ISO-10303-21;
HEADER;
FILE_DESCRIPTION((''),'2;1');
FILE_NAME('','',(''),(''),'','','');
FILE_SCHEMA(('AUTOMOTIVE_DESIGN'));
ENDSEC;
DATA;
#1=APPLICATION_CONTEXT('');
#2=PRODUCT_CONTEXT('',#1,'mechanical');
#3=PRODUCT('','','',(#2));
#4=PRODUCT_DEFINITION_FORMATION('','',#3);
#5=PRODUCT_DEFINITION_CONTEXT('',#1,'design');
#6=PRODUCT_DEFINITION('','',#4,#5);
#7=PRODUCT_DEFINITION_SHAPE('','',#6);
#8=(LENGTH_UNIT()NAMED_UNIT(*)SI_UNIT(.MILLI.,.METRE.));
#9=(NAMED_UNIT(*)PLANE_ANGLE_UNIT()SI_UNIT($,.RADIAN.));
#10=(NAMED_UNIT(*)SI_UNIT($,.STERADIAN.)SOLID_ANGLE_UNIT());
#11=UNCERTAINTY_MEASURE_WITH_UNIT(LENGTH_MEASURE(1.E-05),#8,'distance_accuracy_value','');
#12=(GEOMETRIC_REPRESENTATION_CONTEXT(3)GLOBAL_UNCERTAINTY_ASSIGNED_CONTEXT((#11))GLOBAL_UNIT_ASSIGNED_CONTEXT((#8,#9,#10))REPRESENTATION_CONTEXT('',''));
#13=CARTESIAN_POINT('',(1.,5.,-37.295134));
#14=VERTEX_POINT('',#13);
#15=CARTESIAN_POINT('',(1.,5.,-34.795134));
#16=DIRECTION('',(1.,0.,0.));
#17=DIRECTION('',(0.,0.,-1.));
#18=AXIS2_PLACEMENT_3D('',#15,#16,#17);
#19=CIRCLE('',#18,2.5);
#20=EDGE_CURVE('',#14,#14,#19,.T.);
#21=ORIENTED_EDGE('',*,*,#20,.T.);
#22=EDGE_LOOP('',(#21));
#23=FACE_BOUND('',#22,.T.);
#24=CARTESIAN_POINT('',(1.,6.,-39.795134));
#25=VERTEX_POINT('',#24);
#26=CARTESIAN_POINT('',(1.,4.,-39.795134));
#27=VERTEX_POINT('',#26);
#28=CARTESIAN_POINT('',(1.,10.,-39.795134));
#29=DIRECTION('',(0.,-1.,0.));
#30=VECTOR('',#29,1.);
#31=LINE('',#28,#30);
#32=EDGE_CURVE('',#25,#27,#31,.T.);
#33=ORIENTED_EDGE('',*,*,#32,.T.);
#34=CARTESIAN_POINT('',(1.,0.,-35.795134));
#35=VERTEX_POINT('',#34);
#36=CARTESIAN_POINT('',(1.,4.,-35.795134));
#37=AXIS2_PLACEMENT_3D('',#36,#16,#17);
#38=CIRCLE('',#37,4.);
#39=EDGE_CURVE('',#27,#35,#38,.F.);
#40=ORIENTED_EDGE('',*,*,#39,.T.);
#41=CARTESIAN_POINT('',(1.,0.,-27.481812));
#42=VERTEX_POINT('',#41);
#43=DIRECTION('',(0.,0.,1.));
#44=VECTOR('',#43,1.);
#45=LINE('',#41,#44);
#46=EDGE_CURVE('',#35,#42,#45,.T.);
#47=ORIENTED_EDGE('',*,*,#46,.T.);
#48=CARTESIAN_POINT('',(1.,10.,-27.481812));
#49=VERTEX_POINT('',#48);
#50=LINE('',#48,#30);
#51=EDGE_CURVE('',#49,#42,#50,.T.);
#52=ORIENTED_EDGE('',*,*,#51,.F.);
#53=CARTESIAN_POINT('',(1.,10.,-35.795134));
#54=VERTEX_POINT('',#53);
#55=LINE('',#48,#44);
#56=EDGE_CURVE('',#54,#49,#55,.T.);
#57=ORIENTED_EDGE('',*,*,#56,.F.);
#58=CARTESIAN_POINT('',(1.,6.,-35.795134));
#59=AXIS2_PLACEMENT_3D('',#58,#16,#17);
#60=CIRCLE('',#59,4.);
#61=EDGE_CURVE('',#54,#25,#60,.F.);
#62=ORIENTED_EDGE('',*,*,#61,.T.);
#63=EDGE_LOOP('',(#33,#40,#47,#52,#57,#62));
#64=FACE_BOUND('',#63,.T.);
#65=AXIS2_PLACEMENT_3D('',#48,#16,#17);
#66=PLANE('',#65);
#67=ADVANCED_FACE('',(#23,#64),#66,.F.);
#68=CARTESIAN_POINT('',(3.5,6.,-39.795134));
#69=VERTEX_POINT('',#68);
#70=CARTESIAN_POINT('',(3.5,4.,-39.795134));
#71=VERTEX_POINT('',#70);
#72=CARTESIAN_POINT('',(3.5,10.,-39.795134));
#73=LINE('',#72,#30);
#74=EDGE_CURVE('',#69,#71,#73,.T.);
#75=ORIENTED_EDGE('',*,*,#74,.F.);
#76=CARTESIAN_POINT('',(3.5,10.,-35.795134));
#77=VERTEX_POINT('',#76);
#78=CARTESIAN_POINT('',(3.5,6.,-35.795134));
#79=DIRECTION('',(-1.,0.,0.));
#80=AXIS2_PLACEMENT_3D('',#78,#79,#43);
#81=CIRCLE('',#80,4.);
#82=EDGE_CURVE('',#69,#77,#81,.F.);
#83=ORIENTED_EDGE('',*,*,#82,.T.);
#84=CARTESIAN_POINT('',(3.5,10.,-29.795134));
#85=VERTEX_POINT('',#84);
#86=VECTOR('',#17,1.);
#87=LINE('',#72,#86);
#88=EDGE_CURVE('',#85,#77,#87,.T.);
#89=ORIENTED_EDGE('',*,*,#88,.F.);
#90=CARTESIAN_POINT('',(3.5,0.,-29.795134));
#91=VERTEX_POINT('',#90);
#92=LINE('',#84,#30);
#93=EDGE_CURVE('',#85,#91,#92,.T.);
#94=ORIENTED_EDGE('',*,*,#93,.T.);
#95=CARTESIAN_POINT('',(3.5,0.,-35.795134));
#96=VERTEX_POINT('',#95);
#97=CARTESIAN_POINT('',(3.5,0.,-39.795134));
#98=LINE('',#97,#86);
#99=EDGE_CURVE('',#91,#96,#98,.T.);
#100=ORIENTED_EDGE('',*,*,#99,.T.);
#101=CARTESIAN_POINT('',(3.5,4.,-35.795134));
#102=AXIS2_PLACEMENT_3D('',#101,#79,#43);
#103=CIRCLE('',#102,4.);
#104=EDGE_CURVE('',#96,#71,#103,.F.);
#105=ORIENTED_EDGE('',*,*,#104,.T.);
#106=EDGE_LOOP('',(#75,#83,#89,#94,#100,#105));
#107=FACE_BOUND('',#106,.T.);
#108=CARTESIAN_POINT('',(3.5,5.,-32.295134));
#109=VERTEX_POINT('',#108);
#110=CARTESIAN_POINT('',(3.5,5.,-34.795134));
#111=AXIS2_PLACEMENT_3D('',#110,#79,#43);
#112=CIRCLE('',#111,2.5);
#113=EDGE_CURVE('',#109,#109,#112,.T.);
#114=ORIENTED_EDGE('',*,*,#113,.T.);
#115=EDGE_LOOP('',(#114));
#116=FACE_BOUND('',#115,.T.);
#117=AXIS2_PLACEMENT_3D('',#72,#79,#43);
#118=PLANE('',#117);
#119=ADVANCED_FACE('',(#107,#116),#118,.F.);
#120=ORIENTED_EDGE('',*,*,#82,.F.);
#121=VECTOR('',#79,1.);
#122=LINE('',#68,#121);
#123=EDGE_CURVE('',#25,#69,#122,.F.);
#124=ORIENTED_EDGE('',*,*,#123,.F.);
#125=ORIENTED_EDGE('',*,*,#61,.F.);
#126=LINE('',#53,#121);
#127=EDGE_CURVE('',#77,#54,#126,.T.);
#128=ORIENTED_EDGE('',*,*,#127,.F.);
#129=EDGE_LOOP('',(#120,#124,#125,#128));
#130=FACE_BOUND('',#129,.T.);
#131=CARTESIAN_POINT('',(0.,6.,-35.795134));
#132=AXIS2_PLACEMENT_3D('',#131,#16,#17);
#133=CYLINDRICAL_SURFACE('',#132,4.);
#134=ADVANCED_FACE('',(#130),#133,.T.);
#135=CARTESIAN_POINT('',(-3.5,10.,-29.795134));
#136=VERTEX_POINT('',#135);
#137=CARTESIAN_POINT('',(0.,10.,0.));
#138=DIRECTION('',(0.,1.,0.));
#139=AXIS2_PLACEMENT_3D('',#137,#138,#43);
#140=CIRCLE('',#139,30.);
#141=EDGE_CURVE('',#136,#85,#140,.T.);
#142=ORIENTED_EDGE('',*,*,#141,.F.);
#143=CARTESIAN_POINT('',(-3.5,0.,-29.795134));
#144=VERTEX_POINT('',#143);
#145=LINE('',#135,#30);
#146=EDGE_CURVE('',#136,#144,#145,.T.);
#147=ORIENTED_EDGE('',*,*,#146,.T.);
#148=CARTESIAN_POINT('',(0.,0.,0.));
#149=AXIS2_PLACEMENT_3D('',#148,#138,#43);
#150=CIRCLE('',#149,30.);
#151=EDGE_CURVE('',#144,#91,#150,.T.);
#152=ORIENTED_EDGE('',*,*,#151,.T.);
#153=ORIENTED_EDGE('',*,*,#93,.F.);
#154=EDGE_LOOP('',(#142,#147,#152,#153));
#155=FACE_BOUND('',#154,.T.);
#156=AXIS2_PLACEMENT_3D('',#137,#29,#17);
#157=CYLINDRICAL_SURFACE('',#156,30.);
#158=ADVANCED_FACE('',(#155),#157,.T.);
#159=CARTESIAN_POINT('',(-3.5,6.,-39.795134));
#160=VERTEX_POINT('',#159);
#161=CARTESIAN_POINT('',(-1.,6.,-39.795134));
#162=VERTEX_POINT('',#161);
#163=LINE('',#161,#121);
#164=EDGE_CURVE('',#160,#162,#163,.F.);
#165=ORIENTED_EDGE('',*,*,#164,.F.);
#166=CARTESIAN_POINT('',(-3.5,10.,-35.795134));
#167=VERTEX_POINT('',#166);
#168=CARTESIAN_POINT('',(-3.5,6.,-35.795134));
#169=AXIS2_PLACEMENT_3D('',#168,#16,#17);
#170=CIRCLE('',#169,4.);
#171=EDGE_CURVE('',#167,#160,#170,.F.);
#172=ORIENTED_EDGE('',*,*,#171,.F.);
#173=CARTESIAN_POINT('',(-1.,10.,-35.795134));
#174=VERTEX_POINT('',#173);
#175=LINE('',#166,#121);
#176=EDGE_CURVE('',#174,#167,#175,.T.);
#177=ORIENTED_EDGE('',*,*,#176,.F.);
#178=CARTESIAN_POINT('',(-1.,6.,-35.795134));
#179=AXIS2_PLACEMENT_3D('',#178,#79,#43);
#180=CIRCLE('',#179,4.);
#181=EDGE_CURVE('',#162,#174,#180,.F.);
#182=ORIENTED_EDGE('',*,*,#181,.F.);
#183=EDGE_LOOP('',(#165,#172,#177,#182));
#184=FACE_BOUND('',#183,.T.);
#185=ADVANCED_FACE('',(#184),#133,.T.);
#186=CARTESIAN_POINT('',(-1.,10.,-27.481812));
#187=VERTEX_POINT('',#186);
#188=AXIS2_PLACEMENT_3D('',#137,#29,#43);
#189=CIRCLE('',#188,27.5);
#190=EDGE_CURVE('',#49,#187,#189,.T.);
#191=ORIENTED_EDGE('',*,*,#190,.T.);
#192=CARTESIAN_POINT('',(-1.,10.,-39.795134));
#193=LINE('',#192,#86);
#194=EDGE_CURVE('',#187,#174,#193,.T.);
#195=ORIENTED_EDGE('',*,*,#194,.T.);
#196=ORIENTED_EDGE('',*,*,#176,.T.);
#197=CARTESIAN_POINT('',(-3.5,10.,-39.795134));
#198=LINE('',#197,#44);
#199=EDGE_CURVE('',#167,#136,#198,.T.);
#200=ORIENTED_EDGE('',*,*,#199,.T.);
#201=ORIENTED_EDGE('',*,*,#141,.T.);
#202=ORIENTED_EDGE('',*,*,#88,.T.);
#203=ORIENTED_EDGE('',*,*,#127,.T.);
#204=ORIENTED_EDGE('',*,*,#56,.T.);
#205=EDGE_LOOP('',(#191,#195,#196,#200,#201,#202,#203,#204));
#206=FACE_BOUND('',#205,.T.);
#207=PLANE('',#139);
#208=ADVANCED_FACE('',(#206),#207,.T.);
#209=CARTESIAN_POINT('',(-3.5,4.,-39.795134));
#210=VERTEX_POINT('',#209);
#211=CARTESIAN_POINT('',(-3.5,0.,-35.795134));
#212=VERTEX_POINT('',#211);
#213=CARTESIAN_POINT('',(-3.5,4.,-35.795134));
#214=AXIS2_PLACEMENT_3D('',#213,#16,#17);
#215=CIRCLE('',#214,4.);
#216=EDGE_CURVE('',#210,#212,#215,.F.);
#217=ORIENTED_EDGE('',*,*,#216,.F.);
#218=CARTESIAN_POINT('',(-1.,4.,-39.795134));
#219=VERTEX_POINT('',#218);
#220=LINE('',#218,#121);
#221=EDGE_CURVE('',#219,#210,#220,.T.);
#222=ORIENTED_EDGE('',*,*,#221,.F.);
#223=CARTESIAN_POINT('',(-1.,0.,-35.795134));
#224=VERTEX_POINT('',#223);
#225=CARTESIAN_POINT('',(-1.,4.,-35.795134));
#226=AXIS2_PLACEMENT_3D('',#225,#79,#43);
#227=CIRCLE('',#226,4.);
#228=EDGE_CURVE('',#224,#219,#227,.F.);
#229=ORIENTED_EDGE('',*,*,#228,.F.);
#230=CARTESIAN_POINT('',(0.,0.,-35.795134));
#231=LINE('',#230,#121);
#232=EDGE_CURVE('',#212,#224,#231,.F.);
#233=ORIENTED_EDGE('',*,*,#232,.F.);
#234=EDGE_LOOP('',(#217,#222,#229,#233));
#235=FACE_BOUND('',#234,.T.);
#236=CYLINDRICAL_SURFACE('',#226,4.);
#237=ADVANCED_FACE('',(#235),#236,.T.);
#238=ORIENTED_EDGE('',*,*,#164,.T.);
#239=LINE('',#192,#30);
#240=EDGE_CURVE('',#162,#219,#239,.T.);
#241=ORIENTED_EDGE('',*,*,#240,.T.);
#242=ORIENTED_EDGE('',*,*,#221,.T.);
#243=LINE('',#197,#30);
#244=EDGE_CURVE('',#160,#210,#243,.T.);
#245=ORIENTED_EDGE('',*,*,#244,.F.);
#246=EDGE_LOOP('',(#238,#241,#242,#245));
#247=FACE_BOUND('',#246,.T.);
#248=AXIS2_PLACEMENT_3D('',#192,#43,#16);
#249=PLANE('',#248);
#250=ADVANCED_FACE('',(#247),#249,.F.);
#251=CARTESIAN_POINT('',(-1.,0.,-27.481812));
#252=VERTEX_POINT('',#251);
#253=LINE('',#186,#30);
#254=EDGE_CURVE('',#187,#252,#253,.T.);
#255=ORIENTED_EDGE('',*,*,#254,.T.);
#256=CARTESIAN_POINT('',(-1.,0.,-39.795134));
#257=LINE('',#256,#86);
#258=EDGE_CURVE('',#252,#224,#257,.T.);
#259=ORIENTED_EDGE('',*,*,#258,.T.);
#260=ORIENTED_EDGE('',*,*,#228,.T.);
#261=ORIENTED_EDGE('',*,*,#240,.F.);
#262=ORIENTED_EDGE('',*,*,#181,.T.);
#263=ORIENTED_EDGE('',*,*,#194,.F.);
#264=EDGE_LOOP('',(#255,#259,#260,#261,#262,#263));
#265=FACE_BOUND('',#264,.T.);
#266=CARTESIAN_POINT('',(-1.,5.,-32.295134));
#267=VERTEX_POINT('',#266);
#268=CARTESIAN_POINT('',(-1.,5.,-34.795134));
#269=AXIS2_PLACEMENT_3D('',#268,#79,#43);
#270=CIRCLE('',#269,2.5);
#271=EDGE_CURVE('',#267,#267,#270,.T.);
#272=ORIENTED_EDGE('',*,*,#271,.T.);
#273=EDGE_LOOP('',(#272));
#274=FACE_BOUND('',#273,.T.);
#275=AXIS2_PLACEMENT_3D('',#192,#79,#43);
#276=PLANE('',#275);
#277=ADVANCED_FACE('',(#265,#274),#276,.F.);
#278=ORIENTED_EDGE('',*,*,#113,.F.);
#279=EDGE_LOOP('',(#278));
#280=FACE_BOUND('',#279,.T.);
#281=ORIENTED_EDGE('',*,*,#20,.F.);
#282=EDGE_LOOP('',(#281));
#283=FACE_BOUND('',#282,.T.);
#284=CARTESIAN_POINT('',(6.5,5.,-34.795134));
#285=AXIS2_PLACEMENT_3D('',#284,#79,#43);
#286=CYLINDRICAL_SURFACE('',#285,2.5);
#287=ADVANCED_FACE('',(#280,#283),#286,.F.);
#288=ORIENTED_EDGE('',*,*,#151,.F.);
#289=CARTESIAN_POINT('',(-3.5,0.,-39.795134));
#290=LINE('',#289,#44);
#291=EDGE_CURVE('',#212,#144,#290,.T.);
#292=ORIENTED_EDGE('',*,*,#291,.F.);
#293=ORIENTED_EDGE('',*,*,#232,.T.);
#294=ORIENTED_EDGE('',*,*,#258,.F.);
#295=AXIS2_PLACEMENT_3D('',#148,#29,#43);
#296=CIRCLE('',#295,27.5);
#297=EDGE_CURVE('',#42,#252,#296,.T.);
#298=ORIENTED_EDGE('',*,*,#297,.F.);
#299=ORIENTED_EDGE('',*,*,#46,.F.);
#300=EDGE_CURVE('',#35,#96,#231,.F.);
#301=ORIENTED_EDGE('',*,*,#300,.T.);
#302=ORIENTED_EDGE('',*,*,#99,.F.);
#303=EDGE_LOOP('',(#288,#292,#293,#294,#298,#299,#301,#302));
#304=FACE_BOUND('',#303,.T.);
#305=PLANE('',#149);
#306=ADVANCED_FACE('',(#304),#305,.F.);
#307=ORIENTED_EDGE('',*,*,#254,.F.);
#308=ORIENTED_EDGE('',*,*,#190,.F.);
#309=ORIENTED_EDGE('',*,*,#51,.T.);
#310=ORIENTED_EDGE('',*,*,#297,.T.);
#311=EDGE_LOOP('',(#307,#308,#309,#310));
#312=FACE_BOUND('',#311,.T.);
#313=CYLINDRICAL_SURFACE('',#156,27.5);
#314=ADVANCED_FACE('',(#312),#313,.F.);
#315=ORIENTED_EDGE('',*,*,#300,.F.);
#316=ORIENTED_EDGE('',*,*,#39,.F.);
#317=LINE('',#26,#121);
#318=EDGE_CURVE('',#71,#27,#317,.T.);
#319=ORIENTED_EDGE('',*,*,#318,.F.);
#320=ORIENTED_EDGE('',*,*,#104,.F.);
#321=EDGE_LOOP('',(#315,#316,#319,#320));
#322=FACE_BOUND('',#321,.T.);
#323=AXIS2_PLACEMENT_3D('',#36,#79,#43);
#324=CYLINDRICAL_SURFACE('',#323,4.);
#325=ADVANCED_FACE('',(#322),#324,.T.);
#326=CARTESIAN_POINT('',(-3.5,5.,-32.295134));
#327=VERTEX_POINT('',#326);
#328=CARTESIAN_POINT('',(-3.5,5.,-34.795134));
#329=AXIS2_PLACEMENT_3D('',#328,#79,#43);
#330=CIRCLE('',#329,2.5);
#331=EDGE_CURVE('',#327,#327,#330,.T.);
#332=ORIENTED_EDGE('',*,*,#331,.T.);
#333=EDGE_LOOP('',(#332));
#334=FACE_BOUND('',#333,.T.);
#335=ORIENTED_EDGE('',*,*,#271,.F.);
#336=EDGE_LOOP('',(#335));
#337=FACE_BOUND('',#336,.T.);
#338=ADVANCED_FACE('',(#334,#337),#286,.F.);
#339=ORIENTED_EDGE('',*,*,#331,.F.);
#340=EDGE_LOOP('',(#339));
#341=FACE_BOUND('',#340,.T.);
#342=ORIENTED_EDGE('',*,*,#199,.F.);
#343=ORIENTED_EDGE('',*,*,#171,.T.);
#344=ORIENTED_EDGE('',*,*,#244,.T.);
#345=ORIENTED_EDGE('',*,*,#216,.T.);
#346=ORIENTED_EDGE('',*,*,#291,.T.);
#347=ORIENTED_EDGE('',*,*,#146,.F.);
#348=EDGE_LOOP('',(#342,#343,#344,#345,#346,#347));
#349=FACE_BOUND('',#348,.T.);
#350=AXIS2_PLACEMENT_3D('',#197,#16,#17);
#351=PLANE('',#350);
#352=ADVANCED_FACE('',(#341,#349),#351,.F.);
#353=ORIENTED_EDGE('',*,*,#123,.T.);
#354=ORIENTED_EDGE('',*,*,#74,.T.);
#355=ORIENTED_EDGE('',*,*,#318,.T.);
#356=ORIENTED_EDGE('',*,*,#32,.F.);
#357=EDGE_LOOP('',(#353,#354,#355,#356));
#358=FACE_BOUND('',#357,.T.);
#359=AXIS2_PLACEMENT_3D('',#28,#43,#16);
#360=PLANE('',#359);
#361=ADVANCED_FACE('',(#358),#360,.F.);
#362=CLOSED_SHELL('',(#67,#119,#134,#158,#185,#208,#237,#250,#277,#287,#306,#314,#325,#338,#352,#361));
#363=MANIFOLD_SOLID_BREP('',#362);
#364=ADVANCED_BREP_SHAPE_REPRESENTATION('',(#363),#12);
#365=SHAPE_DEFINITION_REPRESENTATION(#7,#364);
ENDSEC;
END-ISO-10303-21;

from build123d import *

# Parameters (mm, degrees)
SALIENTE_EXTRUIR1_DEPTH = 10
CROQUIS3_R              = 2.5
CORTAR_EXTRUIR1_DEPTH   = 10
REDONDEO1_R             = 4


with BuildPart() as part:
    # Croquis2 → Saliente-Extruir1 (new body)
    with BuildSketch(Plane(origin=(0, 0, 0), x_dir=(1, 0, 0), z_dir=(0, 1, 0))):
        with BuildLine():
            Line((-1, 39.795133831), (-1, 27.481812167))
            ThreePointArc((-1, 27.481812167), (0, -27.5), (1, 27.481812167))
            Line((1, 27.481812167), (1, 39.795133831))
            Line((1, 39.795133831), (3.5, 39.795133831))
            Line((3.5, 39.795133831), (3.5, 29.795133831))
            ThreePointArc((3.5, 29.795133831), (0, -30), (-3.5, 29.795133831))
            Line((-3.5, 29.795133831), (-3.5, 39.795133831))
            Line((-3.5, 39.795133831), (-1, 39.795133831))
        make_face()
    extrude(amount=SALIENTE_EXTRUIR1_DEPTH)

    # Croquis3 → Cortar-Extruir1 (cut)
    with BuildSketch(Plane.ZY.offset(3.5)):
        with Locations((-34.795133831, 5)):
            Circle(CROQUIS3_R)
    extrude(amount=-CORTAR_EXTRUIR1_DEPTH, mode=Mode.SUBTRACT)

    # Redondeo1
    redondeo1_edges = [part.edges().sort_by_distance(p)[0] for p in [
        (-2.25, 0, -39.795133831),
        (-2.25, 10, -39.795133831),
        (2.25, 10, -39.795133831),
        (2.25, 0, -39.795133831),
    ]]
    fillet(redondeo1_edges, radius=REDONDEO1_R)


solid = part.part
